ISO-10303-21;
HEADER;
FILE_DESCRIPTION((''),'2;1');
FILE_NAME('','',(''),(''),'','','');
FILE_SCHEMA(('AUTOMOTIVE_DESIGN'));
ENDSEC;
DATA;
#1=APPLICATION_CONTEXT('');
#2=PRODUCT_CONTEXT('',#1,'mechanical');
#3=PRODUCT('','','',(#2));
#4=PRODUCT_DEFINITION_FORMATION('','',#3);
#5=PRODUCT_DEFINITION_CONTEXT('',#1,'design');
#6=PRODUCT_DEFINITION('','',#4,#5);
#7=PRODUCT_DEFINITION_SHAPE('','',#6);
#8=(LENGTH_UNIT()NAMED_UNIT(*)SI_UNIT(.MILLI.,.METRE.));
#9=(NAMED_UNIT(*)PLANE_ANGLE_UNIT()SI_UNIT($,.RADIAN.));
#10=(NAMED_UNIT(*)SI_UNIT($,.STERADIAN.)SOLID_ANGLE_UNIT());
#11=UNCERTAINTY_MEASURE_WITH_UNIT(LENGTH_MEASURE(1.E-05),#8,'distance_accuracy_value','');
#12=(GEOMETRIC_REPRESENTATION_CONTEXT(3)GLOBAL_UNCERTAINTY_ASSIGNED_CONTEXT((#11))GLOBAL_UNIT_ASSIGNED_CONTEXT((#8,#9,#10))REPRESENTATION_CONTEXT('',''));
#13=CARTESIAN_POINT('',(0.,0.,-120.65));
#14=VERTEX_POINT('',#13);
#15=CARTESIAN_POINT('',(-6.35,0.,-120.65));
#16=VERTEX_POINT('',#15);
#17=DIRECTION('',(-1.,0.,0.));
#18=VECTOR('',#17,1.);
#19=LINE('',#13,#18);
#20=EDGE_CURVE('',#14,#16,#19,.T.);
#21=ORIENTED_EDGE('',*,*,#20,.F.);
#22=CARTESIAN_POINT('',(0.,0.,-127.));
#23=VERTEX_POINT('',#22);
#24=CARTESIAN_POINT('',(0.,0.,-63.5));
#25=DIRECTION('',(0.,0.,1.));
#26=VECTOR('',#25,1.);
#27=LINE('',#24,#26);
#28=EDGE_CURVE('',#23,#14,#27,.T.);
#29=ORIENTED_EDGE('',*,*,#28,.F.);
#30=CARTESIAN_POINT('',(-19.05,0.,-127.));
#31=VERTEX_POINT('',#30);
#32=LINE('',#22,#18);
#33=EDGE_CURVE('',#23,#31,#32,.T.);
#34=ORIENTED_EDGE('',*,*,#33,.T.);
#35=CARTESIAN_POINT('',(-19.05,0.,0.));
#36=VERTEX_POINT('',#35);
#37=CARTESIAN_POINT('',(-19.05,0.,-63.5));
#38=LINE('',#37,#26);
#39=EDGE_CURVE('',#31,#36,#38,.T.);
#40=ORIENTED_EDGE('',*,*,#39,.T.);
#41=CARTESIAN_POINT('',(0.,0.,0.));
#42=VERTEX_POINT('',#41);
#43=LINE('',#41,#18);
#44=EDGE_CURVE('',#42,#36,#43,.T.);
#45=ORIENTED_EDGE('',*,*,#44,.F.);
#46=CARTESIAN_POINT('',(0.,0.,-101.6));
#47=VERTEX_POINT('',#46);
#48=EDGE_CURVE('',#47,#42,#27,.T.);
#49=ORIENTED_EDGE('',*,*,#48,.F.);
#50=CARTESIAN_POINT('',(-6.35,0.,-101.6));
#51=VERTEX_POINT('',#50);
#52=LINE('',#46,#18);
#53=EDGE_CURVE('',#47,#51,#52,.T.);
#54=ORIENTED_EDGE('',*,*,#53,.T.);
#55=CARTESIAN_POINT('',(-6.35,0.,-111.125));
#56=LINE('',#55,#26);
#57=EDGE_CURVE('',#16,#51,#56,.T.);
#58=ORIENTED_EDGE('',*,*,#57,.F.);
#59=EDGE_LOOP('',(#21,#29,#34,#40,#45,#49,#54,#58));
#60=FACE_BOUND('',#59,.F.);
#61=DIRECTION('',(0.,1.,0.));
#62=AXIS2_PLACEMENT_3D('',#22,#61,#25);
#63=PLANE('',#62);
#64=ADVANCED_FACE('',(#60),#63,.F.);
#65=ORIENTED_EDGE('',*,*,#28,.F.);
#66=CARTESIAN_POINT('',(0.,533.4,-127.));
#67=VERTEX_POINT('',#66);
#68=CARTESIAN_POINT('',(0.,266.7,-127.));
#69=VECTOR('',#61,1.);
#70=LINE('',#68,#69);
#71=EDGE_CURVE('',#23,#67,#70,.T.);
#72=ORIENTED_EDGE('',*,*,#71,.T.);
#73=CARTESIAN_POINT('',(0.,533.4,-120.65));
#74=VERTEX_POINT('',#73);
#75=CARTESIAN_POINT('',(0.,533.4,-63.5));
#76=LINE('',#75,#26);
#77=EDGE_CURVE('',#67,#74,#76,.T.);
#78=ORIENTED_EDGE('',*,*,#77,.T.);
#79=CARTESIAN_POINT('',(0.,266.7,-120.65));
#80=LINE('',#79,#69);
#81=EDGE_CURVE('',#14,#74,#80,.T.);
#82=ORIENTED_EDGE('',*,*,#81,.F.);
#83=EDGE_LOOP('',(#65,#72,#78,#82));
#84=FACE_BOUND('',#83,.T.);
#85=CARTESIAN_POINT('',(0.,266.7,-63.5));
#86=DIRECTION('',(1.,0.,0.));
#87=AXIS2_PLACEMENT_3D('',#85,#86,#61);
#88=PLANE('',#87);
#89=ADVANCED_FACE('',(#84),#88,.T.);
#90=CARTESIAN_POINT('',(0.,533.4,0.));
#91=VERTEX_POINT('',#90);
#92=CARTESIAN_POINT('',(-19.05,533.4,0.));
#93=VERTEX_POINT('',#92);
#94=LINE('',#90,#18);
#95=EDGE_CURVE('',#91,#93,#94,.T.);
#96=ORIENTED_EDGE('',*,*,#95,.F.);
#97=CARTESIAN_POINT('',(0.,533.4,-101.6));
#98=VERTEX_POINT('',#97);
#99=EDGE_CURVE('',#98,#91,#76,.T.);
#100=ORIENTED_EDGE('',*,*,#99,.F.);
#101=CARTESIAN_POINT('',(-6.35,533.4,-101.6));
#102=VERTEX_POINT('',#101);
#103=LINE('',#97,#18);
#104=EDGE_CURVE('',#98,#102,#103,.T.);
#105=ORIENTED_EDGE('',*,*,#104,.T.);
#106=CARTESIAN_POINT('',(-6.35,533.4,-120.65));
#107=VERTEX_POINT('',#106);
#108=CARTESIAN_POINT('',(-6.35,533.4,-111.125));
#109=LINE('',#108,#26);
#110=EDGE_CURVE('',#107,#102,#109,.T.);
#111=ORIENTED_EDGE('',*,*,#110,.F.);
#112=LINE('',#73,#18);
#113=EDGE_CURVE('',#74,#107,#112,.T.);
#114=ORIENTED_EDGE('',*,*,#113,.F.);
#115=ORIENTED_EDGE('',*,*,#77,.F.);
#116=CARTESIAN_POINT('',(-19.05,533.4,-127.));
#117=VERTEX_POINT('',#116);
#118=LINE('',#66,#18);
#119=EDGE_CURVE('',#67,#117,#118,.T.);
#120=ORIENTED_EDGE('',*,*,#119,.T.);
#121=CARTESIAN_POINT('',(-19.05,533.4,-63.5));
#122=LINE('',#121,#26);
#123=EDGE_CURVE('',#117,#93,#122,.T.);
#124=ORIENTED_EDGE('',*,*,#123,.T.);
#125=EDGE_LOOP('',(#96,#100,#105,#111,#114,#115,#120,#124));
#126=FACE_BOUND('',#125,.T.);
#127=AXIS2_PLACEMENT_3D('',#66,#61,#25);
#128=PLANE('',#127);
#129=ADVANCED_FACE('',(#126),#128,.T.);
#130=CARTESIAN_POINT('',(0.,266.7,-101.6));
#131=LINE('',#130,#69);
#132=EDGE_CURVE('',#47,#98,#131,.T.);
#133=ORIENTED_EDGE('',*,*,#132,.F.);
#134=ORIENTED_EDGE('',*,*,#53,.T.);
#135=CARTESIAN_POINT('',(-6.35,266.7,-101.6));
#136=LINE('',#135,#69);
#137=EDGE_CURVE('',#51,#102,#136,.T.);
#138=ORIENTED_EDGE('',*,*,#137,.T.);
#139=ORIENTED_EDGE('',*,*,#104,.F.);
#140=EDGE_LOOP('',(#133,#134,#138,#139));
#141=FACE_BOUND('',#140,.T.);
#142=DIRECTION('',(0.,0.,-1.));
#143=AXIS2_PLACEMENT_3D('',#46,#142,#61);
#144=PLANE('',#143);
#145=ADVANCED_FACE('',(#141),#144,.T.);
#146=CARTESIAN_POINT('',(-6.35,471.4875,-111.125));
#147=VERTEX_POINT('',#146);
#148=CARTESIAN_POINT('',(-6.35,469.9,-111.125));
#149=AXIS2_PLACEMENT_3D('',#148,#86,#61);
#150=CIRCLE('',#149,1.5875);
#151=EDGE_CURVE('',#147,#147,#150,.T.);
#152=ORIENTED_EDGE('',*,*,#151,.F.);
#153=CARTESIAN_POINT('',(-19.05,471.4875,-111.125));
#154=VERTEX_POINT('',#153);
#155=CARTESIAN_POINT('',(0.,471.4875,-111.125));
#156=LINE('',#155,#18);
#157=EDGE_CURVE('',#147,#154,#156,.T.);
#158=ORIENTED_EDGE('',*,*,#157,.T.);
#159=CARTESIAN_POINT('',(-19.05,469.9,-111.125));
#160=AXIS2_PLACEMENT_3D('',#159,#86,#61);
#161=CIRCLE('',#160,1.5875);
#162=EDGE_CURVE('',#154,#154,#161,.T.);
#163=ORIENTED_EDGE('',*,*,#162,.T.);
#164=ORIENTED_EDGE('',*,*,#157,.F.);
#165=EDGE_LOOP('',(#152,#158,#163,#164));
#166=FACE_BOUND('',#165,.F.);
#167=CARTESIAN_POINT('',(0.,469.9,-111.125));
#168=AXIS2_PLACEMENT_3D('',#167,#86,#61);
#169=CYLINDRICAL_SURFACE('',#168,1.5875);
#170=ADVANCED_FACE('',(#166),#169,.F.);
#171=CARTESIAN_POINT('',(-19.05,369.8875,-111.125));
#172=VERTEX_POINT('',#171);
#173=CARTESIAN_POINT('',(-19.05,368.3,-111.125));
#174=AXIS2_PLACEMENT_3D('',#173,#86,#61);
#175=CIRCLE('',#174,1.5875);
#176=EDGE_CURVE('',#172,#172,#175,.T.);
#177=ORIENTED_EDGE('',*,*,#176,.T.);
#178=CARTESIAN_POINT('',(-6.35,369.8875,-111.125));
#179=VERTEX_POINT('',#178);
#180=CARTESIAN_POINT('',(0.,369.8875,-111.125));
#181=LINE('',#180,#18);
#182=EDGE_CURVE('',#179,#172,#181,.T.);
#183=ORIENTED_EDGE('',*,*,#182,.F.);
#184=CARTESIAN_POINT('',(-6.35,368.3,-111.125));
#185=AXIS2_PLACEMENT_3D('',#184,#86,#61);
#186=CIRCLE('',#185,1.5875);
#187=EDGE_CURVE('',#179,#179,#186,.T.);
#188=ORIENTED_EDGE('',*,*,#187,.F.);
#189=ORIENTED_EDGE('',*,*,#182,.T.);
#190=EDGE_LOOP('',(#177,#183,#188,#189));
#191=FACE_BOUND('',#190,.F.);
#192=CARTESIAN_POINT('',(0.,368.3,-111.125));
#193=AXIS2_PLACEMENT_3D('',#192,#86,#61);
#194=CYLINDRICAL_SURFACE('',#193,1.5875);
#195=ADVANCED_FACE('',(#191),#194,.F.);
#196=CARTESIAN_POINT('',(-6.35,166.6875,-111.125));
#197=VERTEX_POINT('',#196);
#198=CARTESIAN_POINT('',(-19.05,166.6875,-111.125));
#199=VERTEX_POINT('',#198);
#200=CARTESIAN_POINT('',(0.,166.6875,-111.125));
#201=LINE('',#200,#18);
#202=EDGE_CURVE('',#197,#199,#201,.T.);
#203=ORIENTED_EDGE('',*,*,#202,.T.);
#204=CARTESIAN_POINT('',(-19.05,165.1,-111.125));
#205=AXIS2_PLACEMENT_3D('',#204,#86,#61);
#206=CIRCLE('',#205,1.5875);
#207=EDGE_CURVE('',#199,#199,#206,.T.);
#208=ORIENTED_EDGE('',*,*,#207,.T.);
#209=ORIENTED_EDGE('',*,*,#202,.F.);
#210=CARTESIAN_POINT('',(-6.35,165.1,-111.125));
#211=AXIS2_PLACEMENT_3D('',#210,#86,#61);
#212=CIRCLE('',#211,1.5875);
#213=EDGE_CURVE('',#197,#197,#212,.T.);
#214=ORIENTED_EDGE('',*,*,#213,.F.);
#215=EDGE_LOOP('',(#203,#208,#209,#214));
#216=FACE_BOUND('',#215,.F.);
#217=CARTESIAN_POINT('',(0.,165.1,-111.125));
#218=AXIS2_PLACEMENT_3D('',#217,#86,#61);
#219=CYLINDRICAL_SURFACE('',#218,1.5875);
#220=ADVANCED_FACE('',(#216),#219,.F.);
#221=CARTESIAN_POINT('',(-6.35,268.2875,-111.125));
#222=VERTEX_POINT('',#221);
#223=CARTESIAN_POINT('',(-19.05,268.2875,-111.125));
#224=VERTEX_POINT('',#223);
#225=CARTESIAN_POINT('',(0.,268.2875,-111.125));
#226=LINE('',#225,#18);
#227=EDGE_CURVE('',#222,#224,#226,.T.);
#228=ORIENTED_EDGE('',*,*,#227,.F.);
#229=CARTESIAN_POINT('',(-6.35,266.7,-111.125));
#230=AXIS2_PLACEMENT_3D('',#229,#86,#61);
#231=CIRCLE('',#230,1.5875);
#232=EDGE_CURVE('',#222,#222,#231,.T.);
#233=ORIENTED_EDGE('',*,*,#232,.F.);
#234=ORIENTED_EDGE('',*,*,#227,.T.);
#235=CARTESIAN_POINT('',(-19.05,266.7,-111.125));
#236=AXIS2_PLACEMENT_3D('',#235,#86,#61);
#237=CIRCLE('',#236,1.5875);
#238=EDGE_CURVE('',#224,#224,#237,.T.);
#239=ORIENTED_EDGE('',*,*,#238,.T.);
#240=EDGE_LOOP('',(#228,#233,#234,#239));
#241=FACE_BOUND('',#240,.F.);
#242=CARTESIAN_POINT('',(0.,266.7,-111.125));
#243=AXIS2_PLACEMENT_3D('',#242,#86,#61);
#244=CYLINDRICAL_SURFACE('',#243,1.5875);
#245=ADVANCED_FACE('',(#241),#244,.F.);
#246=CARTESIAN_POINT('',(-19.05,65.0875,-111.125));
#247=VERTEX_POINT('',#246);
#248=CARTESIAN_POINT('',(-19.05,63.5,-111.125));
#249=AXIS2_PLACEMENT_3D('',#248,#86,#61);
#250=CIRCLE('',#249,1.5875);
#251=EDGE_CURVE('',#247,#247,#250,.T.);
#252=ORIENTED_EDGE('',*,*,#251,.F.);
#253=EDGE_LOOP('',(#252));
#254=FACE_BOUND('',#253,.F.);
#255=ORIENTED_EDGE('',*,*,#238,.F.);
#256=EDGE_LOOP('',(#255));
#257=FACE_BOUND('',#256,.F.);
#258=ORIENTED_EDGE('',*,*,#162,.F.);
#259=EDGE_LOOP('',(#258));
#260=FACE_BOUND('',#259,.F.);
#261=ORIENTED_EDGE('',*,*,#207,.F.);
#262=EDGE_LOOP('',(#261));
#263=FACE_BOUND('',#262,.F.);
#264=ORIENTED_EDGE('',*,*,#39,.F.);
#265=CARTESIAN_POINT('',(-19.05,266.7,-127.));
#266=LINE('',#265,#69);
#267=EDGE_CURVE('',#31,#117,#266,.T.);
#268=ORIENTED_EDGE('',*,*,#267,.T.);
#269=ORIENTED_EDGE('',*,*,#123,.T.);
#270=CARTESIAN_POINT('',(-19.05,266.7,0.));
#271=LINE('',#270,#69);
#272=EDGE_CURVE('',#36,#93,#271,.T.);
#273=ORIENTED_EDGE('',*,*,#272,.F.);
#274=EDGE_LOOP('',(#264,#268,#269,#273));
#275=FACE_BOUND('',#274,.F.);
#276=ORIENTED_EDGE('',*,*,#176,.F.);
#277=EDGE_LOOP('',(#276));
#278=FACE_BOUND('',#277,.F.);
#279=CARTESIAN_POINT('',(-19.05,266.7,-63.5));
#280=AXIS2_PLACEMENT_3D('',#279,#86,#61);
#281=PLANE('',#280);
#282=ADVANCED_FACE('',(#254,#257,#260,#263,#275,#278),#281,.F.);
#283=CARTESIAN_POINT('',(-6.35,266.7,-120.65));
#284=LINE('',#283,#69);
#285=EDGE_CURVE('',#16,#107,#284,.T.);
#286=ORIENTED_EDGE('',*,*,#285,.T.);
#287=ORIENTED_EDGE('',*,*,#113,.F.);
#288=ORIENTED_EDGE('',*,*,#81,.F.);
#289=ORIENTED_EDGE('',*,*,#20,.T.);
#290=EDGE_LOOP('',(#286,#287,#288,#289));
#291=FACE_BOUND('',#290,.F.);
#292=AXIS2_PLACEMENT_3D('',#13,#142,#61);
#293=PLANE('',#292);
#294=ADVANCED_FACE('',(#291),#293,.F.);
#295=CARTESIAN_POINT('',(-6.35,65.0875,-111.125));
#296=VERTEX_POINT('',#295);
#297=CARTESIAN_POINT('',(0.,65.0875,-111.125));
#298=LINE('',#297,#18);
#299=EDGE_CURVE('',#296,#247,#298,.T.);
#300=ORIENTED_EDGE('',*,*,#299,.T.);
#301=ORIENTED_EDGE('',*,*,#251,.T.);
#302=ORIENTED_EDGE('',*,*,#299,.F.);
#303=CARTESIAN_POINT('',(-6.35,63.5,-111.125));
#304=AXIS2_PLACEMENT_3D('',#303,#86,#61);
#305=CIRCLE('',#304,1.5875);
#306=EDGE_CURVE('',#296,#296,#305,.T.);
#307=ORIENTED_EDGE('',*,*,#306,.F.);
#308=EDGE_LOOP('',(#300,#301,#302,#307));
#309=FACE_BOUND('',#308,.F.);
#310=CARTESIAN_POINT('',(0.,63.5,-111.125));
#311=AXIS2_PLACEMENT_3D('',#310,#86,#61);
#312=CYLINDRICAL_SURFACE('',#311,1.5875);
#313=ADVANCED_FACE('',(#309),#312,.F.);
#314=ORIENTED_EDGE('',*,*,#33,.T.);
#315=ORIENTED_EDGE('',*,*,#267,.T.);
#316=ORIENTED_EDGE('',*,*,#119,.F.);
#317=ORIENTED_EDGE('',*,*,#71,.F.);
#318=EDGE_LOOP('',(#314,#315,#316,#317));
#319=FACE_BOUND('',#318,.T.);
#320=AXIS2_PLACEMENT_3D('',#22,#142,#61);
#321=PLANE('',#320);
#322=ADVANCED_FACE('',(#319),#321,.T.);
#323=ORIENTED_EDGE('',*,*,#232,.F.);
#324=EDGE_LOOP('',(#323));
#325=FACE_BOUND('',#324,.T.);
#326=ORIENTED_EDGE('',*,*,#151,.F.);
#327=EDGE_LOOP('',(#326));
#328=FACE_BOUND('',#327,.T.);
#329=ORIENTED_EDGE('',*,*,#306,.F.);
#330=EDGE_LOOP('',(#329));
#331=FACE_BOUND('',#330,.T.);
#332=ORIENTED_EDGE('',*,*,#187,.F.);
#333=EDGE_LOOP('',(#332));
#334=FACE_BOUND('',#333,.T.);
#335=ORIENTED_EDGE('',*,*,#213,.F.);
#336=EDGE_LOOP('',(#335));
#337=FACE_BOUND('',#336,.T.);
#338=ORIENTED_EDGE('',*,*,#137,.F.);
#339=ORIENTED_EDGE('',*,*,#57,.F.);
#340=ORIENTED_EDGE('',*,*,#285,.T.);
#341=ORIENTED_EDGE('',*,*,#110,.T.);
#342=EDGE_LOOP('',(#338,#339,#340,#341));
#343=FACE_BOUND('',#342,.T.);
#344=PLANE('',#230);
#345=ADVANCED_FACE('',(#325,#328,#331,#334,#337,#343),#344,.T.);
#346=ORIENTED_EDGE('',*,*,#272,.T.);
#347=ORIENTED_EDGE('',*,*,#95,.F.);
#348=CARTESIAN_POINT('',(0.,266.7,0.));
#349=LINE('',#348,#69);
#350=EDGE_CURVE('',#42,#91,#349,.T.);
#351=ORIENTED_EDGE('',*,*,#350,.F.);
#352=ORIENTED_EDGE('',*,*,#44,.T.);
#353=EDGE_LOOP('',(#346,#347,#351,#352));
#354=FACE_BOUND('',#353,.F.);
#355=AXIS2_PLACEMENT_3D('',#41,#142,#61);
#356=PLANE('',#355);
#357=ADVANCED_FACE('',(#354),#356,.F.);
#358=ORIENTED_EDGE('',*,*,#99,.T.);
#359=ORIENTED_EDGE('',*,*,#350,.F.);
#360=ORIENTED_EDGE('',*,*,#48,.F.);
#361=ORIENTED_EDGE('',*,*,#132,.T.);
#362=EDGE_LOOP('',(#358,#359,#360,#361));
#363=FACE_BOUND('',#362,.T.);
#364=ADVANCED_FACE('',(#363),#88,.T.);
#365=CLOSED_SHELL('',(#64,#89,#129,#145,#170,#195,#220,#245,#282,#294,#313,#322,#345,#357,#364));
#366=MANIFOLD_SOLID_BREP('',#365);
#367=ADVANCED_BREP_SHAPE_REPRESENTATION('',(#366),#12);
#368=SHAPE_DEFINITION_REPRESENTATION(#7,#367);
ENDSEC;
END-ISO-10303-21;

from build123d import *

# Parameters (mm, degrees)
F0_W     = 533.4
F0_H     = 127
F1_DEPTH = 19.05
F2_W     = 533.4
F2_H     = 19.05
F3_DEPTH = 6.35
F4_R     = 1.5875
F5_DEPTH = 19.051


with BuildPart() as f1:
    # F0 (on Right) → F1 (new body)
    with BuildSketch(Plane.YZ):
        with Locations((266.7, -63.5)):
            Rectangle(F0_W, F0_H)
    extrude(amount=-F1_DEPTH)

    # F2 (on Right) → F3 (cut)
    with BuildSketch(Plane.YZ):
        with Locations((266.7, -111.125)):
            Rectangle(F2_W, F2_H)
    extrude(amount=-F3_DEPTH, mode=Mode.SUBTRACT)

    # F4 (on Right) → F5 (cut, through all)
    with BuildSketch(Plane.YZ):
        with Locations((63.5, -111.125)):
            Circle(F4_R)
        with Locations((165.1, -111.125)):
            Circle(F4_R)
        with Locations((266.7, -111.125)):
            Circle(F4_R)
        with Locations((368.3, -111.125)):
            Circle(F4_R)
        with Locations((469.9, -111.125)):
            Circle(F4_R)
    extrude(amount=-F5_DEPTH, mode=Mode.SUBTRACT)


solid = f1.part
